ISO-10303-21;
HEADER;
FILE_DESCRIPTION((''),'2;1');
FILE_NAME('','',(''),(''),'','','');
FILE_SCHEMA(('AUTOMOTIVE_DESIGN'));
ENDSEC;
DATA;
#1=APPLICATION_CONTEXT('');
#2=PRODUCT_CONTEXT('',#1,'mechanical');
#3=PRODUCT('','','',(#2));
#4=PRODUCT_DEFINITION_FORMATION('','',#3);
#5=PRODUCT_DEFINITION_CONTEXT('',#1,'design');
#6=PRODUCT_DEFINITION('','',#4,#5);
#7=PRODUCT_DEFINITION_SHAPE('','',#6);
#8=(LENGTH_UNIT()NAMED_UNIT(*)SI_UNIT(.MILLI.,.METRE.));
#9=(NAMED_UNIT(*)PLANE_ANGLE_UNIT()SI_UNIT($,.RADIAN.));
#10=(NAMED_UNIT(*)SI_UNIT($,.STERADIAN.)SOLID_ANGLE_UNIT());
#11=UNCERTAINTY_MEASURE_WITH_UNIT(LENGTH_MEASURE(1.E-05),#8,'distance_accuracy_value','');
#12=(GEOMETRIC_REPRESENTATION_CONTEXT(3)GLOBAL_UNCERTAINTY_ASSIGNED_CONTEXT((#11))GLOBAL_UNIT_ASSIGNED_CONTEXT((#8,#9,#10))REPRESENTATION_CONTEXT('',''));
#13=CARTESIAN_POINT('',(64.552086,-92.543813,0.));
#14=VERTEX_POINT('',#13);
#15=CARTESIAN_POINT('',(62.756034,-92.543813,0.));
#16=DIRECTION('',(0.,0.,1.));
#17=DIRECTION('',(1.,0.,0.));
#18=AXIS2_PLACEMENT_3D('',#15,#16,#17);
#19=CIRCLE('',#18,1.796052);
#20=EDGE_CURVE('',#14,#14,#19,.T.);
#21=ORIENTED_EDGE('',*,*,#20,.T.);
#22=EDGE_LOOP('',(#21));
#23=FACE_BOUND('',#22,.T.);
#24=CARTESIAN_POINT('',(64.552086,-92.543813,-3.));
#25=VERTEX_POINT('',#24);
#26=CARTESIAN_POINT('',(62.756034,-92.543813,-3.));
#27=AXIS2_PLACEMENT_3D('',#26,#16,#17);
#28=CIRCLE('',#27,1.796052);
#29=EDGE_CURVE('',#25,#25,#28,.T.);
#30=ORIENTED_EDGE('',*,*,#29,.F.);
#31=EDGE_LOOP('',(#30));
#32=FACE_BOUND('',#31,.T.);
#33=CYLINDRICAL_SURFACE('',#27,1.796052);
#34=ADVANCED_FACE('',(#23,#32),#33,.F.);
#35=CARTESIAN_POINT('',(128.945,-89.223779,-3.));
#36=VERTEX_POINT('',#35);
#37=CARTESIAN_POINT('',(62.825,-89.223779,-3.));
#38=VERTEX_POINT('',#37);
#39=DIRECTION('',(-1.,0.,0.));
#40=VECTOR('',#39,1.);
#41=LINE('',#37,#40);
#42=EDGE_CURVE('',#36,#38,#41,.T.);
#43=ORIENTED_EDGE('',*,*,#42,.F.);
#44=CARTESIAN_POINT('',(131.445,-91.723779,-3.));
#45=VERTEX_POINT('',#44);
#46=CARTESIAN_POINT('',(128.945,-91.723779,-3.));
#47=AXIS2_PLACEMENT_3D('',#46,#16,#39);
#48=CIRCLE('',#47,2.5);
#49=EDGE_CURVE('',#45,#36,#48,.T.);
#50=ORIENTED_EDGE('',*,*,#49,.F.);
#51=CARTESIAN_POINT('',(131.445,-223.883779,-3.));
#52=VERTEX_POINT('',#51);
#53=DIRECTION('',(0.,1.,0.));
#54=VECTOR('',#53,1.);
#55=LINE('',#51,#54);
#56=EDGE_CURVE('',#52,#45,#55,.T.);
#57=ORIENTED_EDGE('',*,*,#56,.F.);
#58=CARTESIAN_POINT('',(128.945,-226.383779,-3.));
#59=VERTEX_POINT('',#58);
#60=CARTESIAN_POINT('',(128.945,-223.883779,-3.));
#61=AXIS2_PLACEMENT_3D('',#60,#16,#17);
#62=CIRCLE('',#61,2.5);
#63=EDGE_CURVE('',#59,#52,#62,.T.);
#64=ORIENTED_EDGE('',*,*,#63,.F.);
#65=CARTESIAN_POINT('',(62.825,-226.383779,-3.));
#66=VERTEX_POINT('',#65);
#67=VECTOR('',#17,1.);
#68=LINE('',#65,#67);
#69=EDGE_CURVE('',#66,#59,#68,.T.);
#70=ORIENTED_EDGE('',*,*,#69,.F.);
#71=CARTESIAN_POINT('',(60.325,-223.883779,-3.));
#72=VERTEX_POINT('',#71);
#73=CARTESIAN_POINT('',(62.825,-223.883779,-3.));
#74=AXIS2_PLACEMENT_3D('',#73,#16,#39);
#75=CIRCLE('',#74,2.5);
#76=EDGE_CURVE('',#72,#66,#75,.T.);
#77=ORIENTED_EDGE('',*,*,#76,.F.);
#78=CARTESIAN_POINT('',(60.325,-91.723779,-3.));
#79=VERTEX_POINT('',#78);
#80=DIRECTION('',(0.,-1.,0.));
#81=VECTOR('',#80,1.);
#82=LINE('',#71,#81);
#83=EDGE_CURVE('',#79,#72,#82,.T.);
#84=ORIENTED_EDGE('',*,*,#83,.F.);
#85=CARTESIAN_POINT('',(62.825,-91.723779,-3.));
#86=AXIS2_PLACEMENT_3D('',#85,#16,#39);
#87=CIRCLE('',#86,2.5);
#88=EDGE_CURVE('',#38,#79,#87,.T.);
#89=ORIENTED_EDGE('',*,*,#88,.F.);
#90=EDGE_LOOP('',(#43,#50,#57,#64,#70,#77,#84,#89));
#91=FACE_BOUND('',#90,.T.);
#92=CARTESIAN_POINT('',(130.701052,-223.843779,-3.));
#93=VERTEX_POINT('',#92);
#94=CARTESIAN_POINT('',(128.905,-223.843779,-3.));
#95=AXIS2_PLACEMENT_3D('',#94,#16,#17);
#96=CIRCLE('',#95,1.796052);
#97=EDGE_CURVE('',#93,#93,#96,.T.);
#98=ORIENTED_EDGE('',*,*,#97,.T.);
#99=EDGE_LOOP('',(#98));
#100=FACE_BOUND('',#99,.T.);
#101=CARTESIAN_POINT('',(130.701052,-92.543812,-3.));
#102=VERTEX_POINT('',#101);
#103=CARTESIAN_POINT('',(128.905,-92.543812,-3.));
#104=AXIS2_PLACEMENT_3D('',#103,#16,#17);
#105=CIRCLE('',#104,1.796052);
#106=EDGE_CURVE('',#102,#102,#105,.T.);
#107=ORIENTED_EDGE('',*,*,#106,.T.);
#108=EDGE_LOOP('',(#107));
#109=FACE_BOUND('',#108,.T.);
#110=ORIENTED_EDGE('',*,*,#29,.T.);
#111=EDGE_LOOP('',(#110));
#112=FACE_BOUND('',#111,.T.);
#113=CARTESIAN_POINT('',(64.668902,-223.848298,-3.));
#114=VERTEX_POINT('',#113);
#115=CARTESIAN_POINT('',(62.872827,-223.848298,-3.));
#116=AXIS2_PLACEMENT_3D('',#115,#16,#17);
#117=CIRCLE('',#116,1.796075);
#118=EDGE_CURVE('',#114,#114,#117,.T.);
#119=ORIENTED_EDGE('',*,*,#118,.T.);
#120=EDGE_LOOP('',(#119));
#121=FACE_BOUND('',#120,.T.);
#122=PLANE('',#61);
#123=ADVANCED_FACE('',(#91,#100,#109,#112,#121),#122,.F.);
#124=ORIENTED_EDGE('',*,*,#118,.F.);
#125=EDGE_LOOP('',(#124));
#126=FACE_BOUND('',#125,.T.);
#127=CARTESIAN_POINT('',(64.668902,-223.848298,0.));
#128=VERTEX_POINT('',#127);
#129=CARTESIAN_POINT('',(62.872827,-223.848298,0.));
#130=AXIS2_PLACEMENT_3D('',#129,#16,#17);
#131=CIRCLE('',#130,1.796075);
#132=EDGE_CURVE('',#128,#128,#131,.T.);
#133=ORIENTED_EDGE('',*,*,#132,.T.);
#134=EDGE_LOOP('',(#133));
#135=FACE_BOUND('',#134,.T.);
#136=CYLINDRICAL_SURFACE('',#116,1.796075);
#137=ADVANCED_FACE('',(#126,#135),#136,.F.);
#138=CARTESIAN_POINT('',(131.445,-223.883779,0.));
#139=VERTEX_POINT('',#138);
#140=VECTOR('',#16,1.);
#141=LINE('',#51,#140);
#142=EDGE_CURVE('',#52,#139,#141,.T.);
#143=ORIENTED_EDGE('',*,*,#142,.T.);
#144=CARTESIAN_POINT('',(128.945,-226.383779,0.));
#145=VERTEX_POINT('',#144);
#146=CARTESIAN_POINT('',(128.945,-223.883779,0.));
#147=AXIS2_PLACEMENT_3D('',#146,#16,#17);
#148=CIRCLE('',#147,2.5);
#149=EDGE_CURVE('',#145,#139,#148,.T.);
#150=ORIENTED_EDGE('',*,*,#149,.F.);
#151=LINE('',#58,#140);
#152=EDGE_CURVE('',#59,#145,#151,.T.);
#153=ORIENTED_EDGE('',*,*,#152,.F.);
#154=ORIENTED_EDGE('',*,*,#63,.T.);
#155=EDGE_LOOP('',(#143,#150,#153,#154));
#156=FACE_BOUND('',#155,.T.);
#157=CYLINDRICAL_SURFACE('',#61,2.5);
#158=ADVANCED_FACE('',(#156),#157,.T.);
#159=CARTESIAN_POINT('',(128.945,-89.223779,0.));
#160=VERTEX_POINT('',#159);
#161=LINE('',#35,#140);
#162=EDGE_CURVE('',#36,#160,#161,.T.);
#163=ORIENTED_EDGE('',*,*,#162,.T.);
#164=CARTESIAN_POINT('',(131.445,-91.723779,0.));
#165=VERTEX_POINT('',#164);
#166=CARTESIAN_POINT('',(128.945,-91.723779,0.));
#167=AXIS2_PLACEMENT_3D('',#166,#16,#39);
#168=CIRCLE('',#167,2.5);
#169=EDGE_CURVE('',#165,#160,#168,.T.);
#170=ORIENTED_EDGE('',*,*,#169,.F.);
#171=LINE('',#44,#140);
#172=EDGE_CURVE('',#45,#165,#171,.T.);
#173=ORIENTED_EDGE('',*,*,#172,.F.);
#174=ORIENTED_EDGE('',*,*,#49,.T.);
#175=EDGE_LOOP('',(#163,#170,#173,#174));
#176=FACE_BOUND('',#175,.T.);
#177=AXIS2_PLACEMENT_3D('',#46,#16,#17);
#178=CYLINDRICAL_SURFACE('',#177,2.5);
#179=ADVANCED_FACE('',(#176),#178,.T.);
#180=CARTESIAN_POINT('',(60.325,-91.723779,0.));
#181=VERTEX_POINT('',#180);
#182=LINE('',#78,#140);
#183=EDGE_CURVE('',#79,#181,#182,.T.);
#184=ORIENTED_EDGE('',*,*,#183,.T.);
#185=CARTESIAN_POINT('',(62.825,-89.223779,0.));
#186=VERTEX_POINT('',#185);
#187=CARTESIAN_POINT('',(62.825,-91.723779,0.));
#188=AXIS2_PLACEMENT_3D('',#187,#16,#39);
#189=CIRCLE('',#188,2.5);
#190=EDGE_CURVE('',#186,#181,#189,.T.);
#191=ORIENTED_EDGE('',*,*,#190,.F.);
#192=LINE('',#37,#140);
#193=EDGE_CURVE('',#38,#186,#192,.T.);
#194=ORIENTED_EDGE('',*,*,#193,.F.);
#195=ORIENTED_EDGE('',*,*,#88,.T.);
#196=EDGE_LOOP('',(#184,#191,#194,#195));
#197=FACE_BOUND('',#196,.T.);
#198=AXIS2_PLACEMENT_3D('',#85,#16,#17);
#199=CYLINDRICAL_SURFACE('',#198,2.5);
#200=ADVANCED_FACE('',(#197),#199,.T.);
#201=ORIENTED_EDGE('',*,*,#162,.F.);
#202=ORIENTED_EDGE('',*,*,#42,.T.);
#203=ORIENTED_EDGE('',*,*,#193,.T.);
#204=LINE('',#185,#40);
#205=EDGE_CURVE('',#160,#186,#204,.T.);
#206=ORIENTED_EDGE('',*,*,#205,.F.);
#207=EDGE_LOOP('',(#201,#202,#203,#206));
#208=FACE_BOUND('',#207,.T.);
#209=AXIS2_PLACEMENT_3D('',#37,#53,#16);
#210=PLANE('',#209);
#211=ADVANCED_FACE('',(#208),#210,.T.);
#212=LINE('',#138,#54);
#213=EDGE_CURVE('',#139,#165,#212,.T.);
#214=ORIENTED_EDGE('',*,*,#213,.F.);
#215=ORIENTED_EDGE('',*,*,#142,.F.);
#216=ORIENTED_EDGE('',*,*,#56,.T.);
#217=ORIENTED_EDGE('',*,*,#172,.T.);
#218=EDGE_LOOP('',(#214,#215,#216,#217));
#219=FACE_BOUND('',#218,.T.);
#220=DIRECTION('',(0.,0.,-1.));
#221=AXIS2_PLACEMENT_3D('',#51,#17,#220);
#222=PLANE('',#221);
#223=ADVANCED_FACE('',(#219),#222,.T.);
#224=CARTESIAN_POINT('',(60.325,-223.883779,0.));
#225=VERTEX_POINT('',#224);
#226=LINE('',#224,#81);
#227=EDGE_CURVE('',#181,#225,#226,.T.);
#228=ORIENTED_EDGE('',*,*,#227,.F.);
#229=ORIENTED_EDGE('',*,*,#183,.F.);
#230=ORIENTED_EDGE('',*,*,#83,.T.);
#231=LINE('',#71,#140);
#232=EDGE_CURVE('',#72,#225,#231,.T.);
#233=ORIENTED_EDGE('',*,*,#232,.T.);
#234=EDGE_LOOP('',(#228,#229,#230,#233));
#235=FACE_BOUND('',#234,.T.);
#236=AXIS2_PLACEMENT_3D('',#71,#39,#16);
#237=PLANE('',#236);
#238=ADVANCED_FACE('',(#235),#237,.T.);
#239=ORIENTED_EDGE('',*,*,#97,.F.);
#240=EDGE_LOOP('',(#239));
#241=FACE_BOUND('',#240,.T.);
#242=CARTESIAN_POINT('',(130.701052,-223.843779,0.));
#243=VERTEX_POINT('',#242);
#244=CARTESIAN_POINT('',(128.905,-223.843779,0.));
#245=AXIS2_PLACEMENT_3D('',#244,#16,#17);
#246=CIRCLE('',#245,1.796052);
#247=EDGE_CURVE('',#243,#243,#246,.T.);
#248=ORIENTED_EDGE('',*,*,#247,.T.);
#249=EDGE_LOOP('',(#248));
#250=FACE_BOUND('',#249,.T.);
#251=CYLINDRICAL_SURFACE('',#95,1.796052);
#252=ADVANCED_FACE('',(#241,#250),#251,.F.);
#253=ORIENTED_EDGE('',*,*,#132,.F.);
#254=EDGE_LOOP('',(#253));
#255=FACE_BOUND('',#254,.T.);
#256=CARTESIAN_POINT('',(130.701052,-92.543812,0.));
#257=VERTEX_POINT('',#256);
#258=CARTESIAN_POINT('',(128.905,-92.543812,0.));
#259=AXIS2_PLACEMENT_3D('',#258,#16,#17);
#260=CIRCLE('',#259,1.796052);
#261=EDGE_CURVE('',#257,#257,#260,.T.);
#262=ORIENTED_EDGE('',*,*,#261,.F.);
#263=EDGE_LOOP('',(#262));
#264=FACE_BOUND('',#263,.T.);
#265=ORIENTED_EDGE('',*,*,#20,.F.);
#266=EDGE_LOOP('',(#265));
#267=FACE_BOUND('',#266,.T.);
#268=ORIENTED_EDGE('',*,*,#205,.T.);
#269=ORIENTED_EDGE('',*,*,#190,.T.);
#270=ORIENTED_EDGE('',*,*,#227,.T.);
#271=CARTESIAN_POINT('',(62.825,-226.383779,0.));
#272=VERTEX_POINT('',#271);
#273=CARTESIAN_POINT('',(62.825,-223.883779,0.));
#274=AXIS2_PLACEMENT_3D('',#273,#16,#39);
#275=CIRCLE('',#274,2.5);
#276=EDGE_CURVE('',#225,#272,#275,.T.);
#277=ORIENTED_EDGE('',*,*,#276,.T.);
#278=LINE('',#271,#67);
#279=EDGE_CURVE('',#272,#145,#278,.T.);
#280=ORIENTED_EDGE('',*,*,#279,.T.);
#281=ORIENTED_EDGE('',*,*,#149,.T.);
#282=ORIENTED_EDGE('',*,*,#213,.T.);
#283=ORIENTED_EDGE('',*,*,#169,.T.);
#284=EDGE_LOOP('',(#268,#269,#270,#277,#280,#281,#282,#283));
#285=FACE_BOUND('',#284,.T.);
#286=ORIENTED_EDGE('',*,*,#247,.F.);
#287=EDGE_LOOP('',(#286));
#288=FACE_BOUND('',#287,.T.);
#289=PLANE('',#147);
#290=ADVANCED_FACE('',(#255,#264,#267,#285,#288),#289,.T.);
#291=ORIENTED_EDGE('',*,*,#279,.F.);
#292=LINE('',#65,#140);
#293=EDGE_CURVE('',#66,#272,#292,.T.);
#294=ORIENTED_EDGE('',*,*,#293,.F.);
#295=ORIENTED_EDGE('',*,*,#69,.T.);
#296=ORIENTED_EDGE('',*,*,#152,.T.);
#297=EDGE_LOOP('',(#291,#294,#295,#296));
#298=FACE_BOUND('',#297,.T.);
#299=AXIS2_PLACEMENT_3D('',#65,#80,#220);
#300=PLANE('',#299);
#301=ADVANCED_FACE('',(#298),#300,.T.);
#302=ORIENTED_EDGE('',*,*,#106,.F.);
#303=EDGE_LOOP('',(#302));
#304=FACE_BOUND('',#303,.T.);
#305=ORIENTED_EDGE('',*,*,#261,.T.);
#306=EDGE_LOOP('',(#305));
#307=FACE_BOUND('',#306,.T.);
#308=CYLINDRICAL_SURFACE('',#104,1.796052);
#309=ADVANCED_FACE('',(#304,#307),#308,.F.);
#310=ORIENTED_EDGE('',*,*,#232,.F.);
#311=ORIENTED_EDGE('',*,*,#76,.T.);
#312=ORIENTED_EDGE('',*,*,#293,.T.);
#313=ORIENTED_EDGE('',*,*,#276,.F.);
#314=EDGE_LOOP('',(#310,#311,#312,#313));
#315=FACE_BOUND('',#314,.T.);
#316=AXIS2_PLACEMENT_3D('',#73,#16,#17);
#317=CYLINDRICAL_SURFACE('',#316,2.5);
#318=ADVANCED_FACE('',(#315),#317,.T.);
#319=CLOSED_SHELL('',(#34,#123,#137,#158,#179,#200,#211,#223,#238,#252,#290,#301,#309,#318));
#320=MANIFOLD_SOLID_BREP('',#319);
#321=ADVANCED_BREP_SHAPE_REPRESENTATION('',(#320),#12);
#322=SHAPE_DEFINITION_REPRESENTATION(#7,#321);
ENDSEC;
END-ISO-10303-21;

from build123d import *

# Parameters (mm, degrees)
ESQUISSE2_R        = 1.796051863
ESQUISSE2_R_2      = 1.796074603
BOSS_EXTRU_1_DEPTH = 3


with BuildPart() as part:
    # Esquisse2 → Boss.-Extru.1 (new body)
    with BuildSketch(Plane.XY):
        with BuildLine():
            Line((62.825, -226.383779), (128.945, -226.383779))
            ThreePointArc((128.945, -226.383779), (130.712766953, -225.651545953), (131.445, -223.883779))
            Line((131.445, -223.883779), (131.445, -91.723779))
            ThreePointArc((131.445, -91.723779), (130.712766953, -89.956012047), (128.945, -89.223779))
            Line((128.945, -89.223779), (62.825, -89.223779))
            ThreePointArc((62.825, -89.223779), (61.057233047, -89.956012047), (60.325, -91.723779))
            Line((60.325, -91.723779), (60.325, -223.883779))
            ThreePointArc((60.325, -223.883779), (61.057233047, -225.651545953), (62.825, -226.383779))
        make_face()
        with Locations((128.905, -223.8437785)):
            Circle(ESQUISSE2_R, mode=Mode.SUBTRACT)
        with Locations((62.872827217, -223.848297546)):
            Circle(ESQUISSE2_R_2, mode=Mode.SUBTRACT)
        with Locations((62.756034, -92.5438125)):
            Circle(ESQUISSE2_R, mode=Mode.SUBTRACT)
        with Locations((128.905000137, -92.543812421)):
            Circle(ESQUISSE2_R, mode=Mode.SUBTRACT)
    extrude(amount=-BOSS_EXTRU_1_DEPTH)


solid = part.part
